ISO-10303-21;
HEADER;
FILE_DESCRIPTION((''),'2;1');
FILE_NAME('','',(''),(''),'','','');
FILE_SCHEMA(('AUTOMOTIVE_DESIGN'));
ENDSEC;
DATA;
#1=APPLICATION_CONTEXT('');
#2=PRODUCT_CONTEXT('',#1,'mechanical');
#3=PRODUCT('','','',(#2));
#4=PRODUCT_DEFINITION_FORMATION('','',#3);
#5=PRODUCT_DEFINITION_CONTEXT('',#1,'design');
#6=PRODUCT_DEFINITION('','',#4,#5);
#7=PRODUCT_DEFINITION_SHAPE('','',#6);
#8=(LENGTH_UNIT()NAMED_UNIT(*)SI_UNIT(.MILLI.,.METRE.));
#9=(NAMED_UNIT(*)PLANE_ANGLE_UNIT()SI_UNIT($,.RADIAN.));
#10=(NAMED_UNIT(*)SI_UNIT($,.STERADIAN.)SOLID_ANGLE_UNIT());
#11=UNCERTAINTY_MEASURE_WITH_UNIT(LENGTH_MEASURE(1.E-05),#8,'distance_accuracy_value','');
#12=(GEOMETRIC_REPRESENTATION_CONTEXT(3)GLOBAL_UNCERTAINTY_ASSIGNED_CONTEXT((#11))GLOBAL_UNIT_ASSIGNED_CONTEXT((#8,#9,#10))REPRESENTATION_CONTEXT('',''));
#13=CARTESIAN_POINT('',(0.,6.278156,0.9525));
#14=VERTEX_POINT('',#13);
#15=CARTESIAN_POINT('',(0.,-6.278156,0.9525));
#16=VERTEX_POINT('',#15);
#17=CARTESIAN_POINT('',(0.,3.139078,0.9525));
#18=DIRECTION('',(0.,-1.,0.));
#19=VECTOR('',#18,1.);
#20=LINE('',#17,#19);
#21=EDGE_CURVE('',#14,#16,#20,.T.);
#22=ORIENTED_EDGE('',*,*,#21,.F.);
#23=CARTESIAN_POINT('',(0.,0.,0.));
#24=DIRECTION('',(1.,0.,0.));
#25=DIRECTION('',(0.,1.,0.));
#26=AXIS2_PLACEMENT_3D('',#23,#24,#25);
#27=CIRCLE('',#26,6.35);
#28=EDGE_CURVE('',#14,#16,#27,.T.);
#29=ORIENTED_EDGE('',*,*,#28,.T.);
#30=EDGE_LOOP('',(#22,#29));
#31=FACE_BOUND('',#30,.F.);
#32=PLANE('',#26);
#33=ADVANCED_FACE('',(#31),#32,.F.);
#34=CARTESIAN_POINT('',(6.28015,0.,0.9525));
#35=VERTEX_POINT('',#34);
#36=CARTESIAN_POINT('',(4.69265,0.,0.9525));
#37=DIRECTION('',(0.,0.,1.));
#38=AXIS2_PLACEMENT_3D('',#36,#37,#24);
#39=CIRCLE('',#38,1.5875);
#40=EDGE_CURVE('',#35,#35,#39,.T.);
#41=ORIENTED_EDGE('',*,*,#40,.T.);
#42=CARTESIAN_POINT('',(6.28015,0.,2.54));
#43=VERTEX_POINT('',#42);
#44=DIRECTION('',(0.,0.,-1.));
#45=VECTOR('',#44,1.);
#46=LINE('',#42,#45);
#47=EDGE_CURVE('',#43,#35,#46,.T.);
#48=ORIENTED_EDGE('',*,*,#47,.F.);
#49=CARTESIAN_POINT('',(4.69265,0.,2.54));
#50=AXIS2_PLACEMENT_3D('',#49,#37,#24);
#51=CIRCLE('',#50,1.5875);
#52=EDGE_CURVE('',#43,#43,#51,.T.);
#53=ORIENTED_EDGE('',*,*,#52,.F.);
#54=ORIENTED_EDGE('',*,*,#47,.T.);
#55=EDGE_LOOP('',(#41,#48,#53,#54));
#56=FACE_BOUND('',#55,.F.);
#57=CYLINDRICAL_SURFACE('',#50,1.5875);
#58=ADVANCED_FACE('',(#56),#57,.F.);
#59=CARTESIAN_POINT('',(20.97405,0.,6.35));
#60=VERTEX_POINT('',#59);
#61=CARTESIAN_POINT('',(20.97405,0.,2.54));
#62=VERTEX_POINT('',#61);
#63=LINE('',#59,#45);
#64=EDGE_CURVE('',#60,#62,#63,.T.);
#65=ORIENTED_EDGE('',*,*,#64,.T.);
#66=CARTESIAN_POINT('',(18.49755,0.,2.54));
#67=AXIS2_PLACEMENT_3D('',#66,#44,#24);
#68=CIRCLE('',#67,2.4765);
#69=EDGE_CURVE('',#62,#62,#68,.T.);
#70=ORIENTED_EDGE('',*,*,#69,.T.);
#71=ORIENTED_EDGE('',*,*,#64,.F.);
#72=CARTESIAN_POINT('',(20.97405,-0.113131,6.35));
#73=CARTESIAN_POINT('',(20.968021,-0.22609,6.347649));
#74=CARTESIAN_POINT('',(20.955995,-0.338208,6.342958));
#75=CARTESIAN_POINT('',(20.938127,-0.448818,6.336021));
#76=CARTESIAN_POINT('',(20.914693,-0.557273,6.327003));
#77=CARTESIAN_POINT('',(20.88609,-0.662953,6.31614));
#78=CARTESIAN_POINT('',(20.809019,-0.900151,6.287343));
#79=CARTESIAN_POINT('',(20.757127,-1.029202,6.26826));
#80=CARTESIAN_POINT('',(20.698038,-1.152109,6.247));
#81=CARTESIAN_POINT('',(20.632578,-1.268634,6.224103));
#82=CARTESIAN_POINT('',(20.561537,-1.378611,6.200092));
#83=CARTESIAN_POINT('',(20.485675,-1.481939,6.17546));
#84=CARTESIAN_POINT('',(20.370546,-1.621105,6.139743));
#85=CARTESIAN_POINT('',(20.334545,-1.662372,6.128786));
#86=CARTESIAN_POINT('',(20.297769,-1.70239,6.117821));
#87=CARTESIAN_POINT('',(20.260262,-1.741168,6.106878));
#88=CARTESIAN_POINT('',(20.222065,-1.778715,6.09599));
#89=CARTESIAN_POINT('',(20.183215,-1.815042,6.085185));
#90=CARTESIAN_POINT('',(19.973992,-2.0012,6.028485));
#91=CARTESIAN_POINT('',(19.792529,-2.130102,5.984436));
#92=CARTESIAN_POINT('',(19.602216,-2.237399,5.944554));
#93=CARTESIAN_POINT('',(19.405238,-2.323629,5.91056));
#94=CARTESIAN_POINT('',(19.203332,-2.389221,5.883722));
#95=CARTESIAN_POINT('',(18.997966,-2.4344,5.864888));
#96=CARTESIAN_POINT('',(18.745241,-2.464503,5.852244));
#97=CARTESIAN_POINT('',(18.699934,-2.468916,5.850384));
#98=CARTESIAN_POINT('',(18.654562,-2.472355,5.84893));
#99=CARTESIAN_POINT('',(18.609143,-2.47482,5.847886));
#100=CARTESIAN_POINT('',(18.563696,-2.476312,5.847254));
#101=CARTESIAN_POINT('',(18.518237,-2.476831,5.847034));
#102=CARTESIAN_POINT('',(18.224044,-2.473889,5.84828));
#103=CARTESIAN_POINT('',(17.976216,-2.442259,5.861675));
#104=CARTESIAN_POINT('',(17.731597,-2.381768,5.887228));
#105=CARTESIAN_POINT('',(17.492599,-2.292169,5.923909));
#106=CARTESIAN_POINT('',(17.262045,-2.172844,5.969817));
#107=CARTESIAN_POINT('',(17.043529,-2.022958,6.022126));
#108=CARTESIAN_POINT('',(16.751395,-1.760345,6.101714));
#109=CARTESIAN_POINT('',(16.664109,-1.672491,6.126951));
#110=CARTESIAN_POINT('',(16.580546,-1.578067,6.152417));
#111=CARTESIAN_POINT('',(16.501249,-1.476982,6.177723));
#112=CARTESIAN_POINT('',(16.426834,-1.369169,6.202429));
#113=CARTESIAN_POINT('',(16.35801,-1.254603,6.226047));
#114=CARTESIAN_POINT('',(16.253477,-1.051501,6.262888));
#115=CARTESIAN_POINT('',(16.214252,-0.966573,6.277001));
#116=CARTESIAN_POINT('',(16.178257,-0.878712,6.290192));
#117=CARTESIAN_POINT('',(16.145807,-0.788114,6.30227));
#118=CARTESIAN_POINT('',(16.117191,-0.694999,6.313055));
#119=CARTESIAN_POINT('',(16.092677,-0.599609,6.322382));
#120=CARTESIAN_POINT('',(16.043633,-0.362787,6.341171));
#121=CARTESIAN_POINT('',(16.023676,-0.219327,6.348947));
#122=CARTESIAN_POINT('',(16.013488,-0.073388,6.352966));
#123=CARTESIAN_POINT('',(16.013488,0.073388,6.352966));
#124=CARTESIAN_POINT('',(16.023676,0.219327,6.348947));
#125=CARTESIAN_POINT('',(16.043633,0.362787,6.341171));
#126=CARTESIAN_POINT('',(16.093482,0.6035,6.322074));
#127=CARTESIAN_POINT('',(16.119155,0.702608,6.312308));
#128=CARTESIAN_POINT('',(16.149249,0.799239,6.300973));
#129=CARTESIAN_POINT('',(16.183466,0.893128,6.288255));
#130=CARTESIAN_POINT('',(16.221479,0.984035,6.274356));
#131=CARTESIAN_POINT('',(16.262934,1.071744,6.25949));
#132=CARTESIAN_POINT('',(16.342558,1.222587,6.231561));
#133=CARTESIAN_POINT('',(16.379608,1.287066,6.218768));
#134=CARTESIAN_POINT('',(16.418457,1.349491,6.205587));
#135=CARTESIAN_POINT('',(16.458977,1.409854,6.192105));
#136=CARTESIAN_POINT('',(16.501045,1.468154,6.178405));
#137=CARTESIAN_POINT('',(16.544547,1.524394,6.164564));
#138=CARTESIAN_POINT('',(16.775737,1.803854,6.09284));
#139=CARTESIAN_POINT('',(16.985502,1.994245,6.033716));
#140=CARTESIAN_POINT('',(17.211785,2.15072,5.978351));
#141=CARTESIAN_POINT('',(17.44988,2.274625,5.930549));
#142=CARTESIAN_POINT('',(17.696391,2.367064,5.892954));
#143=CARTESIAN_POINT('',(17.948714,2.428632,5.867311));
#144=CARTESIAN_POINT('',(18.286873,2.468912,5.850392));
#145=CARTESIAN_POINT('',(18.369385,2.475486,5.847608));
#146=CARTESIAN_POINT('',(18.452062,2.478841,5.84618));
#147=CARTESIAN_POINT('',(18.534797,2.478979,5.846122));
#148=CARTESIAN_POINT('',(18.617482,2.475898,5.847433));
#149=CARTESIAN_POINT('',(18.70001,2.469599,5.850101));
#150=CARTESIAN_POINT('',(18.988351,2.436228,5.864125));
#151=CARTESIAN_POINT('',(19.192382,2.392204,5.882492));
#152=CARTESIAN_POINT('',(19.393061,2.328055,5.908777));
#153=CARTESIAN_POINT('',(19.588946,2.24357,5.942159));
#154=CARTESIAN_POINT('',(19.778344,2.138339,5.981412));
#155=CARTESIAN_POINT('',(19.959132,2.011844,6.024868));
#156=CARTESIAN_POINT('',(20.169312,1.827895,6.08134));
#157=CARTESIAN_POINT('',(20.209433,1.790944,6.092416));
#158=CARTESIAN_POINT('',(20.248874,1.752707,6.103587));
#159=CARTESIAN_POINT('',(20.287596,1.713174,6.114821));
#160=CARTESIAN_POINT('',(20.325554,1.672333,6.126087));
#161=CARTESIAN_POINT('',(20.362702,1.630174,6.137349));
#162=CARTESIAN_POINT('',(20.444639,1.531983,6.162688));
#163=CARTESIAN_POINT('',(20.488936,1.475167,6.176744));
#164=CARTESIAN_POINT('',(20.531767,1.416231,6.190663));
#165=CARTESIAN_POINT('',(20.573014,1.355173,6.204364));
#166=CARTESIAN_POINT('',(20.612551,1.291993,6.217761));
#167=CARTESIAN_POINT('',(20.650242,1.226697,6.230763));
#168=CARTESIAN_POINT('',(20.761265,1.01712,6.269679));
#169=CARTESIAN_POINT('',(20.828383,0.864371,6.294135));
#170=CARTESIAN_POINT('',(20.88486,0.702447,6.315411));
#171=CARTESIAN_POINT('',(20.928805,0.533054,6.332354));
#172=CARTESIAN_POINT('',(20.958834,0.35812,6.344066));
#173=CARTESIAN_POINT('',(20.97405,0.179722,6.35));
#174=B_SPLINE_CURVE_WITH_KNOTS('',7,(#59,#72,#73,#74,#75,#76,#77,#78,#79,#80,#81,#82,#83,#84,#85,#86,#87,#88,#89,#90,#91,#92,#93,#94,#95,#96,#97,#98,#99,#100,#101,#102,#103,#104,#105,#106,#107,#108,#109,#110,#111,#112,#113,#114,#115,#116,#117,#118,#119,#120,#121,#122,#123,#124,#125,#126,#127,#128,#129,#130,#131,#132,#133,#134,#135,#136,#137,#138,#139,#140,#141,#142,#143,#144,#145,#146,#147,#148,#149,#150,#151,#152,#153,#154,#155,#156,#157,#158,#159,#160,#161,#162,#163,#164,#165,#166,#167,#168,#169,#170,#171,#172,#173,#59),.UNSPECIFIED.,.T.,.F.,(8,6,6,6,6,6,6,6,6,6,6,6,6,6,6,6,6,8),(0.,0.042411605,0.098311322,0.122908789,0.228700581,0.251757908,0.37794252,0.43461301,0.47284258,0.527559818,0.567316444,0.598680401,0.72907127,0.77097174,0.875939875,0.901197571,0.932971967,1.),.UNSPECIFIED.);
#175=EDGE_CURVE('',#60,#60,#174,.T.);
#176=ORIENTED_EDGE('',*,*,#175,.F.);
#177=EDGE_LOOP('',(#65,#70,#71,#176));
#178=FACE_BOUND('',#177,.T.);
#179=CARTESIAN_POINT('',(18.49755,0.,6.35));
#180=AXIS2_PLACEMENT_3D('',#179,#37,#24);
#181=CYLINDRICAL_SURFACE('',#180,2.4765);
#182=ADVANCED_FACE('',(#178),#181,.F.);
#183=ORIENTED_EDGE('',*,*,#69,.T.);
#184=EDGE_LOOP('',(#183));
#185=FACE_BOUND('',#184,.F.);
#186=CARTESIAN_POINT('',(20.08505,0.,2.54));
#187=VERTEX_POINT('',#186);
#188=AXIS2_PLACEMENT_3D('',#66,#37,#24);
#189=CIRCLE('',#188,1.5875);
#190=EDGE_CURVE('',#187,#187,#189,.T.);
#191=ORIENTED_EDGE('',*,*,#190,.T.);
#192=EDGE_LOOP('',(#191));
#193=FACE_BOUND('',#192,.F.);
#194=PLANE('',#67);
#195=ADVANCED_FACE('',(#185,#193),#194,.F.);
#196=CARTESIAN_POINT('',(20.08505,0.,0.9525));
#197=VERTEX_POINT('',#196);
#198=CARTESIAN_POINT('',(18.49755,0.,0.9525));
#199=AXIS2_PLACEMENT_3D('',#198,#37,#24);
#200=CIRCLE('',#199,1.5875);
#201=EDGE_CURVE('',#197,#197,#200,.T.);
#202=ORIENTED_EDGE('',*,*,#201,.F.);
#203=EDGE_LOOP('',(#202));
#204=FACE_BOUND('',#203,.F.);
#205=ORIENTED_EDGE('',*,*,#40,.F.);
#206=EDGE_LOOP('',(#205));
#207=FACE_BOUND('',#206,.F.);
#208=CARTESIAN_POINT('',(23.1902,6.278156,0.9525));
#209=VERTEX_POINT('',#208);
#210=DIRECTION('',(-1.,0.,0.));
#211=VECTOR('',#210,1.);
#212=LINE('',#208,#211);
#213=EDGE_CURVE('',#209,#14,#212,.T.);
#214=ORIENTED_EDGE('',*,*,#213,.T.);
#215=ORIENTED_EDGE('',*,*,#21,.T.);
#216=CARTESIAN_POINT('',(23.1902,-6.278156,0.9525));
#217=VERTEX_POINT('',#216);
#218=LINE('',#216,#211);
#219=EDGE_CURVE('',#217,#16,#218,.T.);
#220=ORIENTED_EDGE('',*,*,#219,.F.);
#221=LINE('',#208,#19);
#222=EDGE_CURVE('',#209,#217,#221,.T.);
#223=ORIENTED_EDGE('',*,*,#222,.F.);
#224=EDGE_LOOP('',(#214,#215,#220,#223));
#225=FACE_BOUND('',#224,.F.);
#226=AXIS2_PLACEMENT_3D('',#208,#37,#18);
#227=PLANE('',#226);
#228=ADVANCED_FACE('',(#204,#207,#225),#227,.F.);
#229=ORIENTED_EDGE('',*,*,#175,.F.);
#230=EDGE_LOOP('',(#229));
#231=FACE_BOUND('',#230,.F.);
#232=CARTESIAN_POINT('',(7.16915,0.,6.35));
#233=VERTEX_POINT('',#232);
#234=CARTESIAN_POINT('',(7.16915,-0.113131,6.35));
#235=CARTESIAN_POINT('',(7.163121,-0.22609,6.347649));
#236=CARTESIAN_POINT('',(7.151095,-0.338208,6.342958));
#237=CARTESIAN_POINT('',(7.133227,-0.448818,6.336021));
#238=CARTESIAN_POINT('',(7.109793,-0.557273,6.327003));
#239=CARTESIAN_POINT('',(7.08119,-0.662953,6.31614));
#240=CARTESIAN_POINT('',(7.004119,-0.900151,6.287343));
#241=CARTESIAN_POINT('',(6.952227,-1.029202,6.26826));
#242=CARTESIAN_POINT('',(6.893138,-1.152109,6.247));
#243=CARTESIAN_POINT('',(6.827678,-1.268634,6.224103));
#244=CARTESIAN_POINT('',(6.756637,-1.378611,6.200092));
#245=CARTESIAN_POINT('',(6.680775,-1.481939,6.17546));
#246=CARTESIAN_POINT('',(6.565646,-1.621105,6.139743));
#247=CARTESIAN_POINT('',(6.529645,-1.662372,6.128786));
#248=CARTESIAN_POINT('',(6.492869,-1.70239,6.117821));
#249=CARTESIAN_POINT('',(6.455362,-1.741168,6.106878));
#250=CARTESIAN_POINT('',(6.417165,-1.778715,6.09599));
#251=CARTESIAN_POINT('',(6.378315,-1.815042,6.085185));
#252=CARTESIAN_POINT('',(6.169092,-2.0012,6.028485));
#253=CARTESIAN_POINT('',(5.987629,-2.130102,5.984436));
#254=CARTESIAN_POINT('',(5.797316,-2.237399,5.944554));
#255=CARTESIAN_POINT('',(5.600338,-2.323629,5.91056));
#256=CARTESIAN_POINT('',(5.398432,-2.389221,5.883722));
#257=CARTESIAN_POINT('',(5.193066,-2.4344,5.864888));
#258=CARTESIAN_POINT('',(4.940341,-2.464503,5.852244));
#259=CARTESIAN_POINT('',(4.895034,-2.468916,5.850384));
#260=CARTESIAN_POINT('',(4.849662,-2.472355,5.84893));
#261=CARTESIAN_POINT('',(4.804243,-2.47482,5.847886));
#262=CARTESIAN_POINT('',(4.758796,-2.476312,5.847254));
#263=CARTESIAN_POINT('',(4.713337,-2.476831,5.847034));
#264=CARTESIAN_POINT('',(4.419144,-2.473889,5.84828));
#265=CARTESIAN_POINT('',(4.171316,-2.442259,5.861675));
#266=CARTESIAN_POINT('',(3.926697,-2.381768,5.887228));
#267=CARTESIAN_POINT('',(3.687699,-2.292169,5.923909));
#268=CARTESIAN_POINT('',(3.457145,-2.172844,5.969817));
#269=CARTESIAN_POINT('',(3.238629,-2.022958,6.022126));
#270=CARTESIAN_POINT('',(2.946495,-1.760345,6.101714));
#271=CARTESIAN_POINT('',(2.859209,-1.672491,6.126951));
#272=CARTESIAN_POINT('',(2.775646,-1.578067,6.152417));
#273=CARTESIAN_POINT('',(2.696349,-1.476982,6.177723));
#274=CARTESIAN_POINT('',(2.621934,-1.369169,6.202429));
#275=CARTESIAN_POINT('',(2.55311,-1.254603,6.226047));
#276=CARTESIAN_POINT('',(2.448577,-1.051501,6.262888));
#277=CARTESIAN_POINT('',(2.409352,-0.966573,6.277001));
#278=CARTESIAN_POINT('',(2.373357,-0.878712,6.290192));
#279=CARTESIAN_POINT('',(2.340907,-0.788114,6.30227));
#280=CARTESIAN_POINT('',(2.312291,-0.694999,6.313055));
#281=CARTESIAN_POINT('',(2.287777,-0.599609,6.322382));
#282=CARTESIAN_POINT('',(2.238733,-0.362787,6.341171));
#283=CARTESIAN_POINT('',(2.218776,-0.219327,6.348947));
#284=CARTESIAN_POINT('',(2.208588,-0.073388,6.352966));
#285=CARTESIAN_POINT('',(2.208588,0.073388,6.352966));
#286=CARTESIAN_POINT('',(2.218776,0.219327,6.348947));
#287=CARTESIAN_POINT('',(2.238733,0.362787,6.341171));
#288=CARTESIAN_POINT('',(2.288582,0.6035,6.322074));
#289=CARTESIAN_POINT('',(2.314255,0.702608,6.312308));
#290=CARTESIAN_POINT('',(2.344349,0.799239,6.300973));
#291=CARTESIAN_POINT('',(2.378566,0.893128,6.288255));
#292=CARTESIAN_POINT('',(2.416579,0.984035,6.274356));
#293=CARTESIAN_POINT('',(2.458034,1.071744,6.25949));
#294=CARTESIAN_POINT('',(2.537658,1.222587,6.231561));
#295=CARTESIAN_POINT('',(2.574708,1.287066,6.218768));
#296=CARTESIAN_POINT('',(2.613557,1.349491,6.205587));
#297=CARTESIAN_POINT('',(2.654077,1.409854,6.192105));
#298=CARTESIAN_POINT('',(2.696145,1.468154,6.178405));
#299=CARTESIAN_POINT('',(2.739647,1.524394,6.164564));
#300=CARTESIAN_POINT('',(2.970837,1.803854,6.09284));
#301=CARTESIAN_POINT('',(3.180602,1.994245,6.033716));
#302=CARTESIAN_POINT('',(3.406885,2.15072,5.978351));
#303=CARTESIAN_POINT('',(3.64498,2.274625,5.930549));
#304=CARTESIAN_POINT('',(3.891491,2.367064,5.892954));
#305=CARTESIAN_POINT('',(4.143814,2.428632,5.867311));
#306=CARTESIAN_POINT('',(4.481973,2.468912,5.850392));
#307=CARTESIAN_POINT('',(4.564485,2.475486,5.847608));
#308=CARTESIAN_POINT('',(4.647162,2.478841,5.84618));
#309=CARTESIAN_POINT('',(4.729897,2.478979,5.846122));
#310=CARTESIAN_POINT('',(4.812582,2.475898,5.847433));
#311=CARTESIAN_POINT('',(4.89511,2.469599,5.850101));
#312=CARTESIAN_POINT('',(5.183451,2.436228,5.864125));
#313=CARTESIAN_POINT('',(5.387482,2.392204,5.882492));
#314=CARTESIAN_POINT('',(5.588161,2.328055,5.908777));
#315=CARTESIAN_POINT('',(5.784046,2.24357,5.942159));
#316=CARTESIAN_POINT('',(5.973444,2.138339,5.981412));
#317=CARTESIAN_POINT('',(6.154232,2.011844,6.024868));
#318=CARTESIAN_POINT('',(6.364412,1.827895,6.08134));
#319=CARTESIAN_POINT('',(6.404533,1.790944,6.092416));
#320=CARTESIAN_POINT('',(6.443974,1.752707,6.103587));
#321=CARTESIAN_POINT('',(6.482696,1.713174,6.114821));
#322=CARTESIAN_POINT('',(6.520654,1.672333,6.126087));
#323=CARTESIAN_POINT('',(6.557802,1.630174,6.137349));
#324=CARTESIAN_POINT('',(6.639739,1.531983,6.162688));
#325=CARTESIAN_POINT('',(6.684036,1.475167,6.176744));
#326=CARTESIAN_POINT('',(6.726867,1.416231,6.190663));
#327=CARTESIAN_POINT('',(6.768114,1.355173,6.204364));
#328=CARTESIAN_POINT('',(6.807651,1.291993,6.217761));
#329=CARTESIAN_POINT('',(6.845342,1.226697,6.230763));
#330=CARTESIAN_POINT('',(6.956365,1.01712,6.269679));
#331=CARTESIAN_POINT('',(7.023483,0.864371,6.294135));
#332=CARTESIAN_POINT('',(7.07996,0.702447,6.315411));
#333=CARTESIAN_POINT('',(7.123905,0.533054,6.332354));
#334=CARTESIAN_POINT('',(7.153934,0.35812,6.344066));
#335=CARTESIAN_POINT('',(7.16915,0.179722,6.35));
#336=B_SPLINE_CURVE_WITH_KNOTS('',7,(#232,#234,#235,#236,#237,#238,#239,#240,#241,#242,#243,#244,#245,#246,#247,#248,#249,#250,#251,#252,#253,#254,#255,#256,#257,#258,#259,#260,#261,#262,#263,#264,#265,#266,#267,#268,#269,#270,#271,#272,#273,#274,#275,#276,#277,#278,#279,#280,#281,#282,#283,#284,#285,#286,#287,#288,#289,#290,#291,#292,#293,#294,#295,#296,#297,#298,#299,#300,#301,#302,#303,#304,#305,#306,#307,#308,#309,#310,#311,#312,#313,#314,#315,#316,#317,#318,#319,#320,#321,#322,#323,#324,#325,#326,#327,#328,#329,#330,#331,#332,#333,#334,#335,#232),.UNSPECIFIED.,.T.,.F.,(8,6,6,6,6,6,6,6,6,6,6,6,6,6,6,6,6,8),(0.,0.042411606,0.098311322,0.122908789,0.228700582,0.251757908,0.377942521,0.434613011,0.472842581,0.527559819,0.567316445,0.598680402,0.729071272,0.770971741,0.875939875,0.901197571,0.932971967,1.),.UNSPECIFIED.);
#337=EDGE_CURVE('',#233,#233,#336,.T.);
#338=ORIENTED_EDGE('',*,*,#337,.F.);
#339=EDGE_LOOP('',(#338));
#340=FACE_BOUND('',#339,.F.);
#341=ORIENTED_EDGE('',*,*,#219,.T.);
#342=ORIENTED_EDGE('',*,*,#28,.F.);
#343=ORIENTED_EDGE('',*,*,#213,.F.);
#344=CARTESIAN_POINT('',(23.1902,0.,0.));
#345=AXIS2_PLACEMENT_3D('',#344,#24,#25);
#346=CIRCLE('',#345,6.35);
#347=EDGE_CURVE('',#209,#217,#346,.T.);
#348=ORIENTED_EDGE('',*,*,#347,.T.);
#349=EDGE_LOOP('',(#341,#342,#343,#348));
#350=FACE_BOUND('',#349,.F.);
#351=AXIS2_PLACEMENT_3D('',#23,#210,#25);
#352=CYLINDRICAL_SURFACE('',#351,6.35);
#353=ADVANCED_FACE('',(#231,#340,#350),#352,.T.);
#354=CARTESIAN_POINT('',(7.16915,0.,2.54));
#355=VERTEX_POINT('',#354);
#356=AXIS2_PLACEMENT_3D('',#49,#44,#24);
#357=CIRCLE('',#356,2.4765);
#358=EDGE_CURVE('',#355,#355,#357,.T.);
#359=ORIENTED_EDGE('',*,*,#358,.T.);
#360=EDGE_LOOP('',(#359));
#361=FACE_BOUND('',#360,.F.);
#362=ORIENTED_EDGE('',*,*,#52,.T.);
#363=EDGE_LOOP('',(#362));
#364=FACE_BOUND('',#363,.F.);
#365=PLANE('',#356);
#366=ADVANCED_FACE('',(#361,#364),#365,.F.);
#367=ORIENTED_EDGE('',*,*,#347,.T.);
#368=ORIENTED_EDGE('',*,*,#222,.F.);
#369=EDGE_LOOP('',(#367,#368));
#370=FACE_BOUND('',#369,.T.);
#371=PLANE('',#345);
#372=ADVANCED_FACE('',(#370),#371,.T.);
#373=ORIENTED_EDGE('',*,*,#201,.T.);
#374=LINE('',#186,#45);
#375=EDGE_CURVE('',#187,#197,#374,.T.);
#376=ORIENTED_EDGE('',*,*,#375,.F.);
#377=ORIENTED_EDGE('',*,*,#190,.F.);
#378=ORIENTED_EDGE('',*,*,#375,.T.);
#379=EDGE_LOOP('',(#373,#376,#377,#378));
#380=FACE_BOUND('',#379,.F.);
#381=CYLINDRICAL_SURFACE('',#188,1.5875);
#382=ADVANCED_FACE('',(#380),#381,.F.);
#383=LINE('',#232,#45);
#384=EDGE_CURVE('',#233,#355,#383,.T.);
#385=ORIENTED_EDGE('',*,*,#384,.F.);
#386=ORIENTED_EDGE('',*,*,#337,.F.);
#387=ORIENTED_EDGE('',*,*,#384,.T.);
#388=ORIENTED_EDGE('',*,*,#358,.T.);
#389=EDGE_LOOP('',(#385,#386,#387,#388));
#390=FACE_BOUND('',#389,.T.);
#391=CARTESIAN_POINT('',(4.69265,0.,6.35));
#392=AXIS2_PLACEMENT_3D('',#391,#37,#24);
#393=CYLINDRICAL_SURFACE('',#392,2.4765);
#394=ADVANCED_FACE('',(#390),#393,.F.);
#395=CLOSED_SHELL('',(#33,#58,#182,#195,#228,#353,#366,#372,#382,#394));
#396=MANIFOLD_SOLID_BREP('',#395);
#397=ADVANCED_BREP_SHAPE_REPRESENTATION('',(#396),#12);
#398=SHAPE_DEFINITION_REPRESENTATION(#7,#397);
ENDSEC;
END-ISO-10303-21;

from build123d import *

# Parameters (mm, degrees)
F0_R     = 6.35
F1_DEPTH = 23.1902
F3_DEPTH = 23.1912
F5_R     = 2.4765
F6_DEPTH = 3.81
F7_R     = 1.5875
F8_DEPTH = 1.5885001


with BuildPart() as f1:
    # F0 (on Right) → F1 (new body)
    with BuildSketch(Plane.YZ):
        Circle(F0_R)
    extrude(amount=F1_DEPTH)

    # F2 (on face) → F3 (cut, through all)
    with BuildSketch(Plane.YZ.offset(23.1902)):
        with BuildLine():
            Line((6.2781560788, 0.9525), (-6.2781560788, 0.9525))
            ThreePointArc((-6.2781560788, 0.9525), (0, -6.35), (6.2781560788, 0.9525))
        make_face()
    extrude(amount=-F3_DEPTH, mode=Mode.SUBTRACT)

    # F5 (on offset) → F6 (cut)
    with BuildSketch(Plane(origin=(0, 0, 6.35), x_dir=(1, 0, 0), z_dir=(0, 0, -1))):
        with Locations((4.69265, 0)):
            Circle(F5_R)
        with Locations((18.49755, 0)):
            Circle(F5_R)
    extrude(amount=F6_DEPTH, mode=Mode.SUBTRACT)

    # F7 (on face) → F8 (cut, through all)
    with BuildSketch(Plane.XY.offset(2.54)):
        with Locations((4.69265, 0)):
            Circle(F7_R)
        with Locations((18.49755, 0)):
            Circle(F7_R)
    extrude(amount=-F8_DEPTH, mode=Mode.SUBTRACT)


solid = f1.part
